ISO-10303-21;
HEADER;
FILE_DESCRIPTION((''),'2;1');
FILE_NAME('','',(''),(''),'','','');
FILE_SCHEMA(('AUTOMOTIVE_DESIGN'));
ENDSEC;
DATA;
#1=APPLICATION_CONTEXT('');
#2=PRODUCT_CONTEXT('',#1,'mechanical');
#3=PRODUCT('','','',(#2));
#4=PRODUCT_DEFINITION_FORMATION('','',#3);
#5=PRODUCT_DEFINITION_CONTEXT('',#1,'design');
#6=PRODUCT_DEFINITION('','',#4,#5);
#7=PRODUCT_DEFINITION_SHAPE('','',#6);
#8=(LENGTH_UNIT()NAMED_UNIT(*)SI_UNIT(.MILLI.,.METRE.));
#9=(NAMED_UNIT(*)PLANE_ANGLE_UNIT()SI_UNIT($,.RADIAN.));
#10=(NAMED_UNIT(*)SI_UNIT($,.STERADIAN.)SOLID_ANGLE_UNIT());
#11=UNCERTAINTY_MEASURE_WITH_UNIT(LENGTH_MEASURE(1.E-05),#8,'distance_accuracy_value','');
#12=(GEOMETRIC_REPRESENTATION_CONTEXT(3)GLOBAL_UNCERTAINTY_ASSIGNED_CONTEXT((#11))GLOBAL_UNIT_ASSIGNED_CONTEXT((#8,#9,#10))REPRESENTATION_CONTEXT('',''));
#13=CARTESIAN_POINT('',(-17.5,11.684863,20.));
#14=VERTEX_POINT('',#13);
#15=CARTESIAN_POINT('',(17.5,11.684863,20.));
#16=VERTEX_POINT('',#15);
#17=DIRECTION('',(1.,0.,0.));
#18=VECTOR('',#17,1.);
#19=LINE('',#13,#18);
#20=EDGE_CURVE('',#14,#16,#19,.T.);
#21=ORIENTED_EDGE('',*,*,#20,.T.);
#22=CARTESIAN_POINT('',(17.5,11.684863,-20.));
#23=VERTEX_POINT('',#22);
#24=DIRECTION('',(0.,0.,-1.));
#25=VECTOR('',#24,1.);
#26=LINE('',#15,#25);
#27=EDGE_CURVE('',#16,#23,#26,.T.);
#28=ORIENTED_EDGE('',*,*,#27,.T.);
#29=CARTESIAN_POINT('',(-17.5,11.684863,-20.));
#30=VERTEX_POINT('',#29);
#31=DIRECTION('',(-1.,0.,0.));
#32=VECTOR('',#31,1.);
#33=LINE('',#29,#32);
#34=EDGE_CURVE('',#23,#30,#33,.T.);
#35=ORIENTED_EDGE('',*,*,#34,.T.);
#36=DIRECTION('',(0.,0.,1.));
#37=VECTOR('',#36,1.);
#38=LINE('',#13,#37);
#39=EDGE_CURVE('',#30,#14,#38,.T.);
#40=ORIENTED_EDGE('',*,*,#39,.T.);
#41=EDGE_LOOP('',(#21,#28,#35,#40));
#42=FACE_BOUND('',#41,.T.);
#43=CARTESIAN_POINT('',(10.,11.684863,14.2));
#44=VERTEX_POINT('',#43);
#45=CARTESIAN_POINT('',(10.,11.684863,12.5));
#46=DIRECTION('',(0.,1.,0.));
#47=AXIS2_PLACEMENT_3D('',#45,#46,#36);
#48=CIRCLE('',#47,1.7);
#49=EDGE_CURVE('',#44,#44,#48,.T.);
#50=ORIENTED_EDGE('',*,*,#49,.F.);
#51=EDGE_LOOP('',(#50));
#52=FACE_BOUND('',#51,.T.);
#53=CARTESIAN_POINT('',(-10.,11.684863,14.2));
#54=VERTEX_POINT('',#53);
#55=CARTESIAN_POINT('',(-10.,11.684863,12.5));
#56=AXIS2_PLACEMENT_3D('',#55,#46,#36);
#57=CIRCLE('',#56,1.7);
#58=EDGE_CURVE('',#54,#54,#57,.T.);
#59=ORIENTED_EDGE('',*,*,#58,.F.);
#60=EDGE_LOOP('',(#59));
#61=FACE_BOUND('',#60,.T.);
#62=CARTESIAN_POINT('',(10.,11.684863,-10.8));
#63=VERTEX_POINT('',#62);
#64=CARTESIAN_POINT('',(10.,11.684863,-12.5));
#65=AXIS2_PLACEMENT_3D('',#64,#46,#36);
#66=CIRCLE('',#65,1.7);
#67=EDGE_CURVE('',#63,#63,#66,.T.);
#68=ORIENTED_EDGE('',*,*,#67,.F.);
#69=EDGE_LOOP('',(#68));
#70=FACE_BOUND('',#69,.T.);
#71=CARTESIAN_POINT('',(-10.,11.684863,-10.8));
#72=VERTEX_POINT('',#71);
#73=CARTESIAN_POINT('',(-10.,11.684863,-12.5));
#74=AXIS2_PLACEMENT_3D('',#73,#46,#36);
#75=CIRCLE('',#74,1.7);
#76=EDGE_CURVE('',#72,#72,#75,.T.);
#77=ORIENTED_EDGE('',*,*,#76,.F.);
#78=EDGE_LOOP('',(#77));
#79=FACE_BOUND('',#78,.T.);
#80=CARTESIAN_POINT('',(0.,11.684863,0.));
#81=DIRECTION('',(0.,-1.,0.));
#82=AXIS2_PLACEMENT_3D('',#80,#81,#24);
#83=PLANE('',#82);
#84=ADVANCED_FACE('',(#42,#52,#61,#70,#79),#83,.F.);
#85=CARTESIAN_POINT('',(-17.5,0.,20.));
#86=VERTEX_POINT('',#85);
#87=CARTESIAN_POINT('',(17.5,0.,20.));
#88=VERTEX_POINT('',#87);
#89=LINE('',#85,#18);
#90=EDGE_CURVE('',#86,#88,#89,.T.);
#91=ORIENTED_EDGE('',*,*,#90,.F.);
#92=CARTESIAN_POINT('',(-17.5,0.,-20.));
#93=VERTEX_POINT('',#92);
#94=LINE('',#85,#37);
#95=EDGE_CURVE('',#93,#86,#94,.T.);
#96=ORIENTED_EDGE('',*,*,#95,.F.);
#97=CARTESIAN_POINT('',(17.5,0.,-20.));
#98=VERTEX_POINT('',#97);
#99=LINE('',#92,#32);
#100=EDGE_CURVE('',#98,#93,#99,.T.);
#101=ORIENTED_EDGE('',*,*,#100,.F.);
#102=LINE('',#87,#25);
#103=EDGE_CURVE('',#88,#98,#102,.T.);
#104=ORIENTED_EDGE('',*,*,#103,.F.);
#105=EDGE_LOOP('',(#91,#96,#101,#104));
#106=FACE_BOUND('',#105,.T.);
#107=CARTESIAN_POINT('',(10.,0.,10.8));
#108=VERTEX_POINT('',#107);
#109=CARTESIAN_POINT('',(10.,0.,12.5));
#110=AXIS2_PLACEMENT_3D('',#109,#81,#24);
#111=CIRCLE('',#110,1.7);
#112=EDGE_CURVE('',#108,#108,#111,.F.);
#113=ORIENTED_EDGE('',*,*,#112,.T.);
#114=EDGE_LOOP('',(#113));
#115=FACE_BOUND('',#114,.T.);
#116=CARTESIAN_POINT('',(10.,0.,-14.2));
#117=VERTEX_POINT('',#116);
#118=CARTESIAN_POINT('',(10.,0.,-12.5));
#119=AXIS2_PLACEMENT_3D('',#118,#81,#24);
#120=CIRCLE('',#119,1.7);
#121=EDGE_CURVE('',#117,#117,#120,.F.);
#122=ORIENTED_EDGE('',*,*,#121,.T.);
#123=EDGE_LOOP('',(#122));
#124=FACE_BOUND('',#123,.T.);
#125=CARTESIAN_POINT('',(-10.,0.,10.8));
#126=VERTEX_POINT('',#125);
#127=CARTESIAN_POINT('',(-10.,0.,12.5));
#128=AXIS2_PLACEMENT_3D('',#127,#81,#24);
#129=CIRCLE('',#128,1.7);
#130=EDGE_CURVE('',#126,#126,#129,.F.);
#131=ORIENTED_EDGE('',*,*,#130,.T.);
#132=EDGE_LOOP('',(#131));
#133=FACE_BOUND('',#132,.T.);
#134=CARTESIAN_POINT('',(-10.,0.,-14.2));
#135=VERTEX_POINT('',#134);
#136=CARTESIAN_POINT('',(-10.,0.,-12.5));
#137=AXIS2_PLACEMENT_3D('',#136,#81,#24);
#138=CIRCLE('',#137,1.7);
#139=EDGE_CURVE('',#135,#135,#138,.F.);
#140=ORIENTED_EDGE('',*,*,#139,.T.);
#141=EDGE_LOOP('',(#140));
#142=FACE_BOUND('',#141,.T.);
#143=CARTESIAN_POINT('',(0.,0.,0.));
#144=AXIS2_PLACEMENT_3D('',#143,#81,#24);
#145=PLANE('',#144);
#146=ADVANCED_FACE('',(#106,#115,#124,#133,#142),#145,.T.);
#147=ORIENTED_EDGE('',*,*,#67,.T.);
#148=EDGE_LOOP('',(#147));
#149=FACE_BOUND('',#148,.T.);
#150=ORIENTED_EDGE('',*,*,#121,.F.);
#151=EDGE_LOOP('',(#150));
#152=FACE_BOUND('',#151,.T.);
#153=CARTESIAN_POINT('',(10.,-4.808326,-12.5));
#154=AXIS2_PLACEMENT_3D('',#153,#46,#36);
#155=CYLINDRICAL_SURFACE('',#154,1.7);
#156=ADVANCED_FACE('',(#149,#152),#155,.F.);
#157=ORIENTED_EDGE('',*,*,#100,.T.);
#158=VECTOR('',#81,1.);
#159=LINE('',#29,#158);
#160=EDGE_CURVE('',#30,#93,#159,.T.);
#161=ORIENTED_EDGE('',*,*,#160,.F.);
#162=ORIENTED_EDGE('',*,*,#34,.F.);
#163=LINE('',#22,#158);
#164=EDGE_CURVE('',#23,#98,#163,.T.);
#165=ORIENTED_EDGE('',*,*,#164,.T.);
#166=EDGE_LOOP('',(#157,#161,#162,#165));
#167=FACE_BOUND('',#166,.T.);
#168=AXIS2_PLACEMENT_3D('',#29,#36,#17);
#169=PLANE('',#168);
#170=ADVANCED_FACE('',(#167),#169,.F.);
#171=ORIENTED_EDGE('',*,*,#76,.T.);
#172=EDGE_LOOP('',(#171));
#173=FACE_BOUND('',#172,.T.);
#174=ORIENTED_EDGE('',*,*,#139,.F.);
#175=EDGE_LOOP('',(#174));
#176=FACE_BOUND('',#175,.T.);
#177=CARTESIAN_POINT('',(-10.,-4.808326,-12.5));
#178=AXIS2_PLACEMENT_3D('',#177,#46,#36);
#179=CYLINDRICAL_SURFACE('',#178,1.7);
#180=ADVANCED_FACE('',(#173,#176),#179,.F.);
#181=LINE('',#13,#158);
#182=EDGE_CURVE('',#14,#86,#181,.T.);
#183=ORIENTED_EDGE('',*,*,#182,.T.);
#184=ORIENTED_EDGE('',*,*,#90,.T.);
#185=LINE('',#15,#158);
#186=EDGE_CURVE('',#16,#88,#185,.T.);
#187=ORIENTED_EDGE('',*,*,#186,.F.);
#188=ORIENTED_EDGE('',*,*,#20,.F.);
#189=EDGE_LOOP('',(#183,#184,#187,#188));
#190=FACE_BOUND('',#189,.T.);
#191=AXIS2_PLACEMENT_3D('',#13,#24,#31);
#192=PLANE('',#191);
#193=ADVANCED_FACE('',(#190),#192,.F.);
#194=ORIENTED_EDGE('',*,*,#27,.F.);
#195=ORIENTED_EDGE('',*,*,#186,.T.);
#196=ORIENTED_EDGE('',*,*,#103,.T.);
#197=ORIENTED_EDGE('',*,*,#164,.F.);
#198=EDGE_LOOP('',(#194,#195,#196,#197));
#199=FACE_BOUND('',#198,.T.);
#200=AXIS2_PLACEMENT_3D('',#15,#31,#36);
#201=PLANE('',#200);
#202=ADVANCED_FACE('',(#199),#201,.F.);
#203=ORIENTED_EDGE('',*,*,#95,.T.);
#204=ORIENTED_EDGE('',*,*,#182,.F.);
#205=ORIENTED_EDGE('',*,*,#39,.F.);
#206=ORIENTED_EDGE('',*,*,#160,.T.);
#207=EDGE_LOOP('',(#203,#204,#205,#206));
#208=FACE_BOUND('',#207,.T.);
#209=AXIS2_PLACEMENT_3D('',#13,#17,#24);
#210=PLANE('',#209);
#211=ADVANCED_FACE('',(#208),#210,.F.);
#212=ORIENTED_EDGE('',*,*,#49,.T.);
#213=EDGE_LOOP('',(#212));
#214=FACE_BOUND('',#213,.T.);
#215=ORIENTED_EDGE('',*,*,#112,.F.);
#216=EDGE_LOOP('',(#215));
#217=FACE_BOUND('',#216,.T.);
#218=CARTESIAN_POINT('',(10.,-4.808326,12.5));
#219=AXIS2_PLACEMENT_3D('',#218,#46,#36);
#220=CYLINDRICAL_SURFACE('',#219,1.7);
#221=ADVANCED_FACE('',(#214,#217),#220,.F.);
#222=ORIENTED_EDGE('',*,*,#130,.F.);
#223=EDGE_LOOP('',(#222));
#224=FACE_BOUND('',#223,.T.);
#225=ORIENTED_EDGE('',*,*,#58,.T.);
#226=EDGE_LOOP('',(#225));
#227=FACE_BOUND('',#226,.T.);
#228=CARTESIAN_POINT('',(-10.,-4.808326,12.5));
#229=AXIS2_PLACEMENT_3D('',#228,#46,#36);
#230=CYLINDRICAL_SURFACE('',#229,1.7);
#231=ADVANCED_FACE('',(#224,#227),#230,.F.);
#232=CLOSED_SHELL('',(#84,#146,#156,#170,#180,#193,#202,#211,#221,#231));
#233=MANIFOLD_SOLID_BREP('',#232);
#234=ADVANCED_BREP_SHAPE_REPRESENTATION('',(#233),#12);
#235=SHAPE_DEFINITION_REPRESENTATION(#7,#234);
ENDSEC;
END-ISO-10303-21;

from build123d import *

# Parameters (mm, degrees)
SKETCH1_W           = 35
SKETCH1_H           = 40
BOSS_EXTRUDE1_DEPTH = 11.6848633
SKETCH2_R           = 1.7
CUT_EXTRUDE1_DEPTH  = 11.6848633


with BuildPart() as part:
    # Sketch1 → Boss-Extrude1 (new body)
    with BuildSketch(Plane(origin=(0, 0, 0), x_dir=(1, 0, 0), z_dir=(0, 1, 0))):
        Rectangle(SKETCH1_W, SKETCH1_H)
    extrude(amount=BOSS_EXTRUDE1_DEPTH)

    # Sketch2 → Cut-Extrude1 (cut)
    with BuildSketch(Plane(origin=(0, 11.6848633, 0), x_dir=(1, 0, 0), z_dir=(0, 1, 0))):
        with Locations(Location((-10, 12.5, 0), (0, 0, 270))):
            Circle(SKETCH2_R)
        with Locations(Location((10, 12.5, 0), (0, 0, 270))):
            Circle(SKETCH2_R)
        with Locations(Location((-10, -12.5, 0), (0, 0, 270))):
            Circle(SKETCH2_R)
        with Locations(Location((10, -12.5, 0), (0, 0, 270))):
            Circle(SKETCH2_R)
    extrude(amount=-CUT_EXTRUDE1_DEPTH, mode=Mode.SUBTRACT)


solid = part.part
